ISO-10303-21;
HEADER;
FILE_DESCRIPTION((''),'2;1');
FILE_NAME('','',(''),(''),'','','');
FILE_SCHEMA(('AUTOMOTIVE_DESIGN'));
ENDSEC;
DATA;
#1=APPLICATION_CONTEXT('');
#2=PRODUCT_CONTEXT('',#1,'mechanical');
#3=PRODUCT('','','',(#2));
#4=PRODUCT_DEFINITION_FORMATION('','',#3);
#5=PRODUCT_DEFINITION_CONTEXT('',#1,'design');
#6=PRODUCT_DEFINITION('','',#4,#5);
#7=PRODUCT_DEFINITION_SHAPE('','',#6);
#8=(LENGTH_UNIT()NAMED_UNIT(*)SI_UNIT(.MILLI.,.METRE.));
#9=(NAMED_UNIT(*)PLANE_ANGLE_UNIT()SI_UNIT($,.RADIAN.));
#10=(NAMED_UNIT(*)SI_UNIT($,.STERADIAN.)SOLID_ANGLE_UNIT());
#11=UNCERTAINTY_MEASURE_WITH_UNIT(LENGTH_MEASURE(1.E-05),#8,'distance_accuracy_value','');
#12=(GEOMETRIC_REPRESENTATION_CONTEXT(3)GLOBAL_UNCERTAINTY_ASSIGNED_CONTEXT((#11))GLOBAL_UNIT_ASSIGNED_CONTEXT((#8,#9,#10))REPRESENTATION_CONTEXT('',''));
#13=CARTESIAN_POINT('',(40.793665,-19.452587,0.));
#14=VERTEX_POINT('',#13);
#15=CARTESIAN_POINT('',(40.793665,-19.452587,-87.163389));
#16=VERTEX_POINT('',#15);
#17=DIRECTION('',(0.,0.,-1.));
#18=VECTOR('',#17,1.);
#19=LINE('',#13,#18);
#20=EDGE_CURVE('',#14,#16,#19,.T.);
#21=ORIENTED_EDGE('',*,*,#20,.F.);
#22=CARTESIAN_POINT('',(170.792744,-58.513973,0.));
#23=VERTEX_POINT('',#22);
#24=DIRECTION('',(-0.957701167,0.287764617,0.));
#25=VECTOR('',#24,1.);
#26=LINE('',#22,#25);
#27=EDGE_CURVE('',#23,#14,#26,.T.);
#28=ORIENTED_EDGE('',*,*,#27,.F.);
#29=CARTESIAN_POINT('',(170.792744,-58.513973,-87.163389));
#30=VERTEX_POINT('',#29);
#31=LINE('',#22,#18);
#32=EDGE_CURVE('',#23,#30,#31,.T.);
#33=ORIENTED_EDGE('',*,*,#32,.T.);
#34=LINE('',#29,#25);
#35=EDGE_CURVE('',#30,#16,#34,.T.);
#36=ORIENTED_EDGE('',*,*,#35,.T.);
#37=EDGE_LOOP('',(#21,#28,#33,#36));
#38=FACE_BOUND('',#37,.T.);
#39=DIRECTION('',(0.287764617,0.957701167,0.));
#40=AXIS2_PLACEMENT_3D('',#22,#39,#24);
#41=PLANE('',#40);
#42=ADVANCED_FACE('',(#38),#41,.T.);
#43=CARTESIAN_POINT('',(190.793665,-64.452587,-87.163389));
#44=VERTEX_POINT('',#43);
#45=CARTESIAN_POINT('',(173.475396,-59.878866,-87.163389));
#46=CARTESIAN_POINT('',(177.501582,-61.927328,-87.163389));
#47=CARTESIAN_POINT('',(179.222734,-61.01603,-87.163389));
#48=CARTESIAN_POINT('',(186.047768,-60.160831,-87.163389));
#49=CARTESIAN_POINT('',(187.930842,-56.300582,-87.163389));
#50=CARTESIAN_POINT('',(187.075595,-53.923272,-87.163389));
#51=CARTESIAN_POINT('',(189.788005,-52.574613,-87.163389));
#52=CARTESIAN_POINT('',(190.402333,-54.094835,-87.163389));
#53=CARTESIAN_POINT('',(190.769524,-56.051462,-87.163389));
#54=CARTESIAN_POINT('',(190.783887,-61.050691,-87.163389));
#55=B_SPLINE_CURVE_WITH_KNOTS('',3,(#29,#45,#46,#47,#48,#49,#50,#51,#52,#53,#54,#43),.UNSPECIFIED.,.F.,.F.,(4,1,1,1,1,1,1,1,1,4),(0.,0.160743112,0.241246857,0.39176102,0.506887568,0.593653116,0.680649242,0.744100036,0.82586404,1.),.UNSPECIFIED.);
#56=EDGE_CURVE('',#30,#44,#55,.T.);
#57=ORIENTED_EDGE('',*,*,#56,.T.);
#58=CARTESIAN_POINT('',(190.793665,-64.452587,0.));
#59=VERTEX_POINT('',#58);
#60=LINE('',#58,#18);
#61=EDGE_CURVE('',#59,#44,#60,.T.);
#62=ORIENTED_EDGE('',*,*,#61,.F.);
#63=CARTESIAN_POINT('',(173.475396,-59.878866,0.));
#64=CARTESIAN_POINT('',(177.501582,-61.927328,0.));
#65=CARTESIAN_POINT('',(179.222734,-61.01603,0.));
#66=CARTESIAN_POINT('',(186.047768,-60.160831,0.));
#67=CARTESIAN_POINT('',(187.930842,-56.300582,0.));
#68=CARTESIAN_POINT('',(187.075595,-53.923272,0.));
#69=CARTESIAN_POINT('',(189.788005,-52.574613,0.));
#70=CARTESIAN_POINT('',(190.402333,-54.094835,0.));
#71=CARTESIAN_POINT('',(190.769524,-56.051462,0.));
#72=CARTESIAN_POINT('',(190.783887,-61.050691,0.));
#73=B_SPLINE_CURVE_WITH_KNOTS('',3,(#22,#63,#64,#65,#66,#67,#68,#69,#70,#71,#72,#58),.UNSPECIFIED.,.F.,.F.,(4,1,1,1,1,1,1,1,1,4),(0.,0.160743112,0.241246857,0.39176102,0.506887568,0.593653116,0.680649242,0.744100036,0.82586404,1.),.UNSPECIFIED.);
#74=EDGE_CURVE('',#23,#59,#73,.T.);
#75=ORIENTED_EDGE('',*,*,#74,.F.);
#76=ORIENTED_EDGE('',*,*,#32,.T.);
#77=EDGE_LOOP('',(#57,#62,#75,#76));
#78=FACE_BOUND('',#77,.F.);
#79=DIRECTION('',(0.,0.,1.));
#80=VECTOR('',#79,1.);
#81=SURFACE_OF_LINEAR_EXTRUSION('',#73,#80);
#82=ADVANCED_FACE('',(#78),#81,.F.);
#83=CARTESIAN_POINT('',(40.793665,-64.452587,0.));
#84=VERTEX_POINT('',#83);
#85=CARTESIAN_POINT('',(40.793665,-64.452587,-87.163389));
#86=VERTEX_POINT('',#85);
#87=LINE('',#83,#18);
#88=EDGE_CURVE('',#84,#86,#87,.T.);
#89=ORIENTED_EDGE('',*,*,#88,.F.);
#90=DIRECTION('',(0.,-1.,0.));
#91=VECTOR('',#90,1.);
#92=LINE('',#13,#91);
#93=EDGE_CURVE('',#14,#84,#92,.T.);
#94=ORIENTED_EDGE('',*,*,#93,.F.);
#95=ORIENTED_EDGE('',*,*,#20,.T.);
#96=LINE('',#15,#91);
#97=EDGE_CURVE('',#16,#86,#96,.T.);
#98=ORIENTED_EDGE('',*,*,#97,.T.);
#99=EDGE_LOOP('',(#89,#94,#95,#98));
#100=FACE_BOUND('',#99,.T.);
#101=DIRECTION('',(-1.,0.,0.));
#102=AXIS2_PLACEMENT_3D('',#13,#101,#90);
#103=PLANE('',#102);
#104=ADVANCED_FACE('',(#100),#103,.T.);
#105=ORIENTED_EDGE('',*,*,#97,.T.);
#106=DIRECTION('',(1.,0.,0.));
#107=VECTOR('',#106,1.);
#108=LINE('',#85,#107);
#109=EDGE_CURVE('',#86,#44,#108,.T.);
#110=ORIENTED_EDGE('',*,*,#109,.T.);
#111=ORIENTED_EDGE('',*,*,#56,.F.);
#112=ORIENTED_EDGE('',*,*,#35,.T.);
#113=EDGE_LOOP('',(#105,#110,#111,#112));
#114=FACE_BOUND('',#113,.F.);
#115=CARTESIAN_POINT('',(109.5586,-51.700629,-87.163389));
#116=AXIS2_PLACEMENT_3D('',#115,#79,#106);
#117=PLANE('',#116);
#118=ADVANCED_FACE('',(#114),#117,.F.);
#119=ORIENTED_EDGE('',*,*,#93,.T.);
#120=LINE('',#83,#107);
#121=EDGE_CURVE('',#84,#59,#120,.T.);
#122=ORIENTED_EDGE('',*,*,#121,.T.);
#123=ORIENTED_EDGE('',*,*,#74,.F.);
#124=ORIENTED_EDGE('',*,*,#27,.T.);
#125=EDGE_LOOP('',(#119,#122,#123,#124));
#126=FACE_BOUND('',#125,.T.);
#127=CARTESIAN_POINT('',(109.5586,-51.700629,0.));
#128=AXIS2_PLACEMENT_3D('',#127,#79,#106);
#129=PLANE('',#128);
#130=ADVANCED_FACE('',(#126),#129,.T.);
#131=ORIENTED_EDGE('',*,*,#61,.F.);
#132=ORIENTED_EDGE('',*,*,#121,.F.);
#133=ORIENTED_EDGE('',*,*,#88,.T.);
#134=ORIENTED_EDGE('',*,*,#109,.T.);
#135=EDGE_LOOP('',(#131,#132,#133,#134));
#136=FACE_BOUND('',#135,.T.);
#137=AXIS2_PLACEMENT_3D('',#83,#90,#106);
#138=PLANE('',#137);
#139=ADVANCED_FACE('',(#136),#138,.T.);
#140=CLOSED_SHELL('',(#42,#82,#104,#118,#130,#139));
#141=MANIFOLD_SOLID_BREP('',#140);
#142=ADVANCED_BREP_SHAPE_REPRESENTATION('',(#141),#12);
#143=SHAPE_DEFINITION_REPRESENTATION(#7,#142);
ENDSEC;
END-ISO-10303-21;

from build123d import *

# Parameters (mm, degrees)
F1_DEPTH = 87.1633887291


with BuildPart() as f1:
    # F0 (on Top) → F1 (new body)
    with BuildSketch(Plane.XY):
        with BuildLine():
            Line((40.7936650046, -19.4525868572), (40.7936650046, -64.4525868572))
            Line((40.7936650046, -64.4525868572), (190.7936650046, -64.4525868572))
            add(Edge.make_bspline(
                [(170.7927435637, -58.5139729083), (173.4753963361, -59.8788660484), (177.5015817402, -61.9273280443), (179.2227341303, -61.0160304408), (186.0477684746, -60.1608306119), (187.9308423677, -56.300581845), (187.0755950103, -53.9232719305), (189.7880050664, -52.574613493), (190.4023330497, -54.0948348565), (190.7695244947, -56.0514620187), (190.7838868277, -61.0506912159), (190.7936650046, -64.4525868572)],
                knots=[0, 0, 0, 0, 0.1607431116, 0.241246857, 0.3917610196, 0.506887568, 0.5936531156, 0.6806492424, 0.7441000364, 0.8258640397, 1, 1, 1, 1], degree=3))
            Line((170.7927435637, -58.5139729083), (40.7936650046, -19.4525868572))
        make_face()
    extrude(amount=-F1_DEPTH)


solid = f1.part
